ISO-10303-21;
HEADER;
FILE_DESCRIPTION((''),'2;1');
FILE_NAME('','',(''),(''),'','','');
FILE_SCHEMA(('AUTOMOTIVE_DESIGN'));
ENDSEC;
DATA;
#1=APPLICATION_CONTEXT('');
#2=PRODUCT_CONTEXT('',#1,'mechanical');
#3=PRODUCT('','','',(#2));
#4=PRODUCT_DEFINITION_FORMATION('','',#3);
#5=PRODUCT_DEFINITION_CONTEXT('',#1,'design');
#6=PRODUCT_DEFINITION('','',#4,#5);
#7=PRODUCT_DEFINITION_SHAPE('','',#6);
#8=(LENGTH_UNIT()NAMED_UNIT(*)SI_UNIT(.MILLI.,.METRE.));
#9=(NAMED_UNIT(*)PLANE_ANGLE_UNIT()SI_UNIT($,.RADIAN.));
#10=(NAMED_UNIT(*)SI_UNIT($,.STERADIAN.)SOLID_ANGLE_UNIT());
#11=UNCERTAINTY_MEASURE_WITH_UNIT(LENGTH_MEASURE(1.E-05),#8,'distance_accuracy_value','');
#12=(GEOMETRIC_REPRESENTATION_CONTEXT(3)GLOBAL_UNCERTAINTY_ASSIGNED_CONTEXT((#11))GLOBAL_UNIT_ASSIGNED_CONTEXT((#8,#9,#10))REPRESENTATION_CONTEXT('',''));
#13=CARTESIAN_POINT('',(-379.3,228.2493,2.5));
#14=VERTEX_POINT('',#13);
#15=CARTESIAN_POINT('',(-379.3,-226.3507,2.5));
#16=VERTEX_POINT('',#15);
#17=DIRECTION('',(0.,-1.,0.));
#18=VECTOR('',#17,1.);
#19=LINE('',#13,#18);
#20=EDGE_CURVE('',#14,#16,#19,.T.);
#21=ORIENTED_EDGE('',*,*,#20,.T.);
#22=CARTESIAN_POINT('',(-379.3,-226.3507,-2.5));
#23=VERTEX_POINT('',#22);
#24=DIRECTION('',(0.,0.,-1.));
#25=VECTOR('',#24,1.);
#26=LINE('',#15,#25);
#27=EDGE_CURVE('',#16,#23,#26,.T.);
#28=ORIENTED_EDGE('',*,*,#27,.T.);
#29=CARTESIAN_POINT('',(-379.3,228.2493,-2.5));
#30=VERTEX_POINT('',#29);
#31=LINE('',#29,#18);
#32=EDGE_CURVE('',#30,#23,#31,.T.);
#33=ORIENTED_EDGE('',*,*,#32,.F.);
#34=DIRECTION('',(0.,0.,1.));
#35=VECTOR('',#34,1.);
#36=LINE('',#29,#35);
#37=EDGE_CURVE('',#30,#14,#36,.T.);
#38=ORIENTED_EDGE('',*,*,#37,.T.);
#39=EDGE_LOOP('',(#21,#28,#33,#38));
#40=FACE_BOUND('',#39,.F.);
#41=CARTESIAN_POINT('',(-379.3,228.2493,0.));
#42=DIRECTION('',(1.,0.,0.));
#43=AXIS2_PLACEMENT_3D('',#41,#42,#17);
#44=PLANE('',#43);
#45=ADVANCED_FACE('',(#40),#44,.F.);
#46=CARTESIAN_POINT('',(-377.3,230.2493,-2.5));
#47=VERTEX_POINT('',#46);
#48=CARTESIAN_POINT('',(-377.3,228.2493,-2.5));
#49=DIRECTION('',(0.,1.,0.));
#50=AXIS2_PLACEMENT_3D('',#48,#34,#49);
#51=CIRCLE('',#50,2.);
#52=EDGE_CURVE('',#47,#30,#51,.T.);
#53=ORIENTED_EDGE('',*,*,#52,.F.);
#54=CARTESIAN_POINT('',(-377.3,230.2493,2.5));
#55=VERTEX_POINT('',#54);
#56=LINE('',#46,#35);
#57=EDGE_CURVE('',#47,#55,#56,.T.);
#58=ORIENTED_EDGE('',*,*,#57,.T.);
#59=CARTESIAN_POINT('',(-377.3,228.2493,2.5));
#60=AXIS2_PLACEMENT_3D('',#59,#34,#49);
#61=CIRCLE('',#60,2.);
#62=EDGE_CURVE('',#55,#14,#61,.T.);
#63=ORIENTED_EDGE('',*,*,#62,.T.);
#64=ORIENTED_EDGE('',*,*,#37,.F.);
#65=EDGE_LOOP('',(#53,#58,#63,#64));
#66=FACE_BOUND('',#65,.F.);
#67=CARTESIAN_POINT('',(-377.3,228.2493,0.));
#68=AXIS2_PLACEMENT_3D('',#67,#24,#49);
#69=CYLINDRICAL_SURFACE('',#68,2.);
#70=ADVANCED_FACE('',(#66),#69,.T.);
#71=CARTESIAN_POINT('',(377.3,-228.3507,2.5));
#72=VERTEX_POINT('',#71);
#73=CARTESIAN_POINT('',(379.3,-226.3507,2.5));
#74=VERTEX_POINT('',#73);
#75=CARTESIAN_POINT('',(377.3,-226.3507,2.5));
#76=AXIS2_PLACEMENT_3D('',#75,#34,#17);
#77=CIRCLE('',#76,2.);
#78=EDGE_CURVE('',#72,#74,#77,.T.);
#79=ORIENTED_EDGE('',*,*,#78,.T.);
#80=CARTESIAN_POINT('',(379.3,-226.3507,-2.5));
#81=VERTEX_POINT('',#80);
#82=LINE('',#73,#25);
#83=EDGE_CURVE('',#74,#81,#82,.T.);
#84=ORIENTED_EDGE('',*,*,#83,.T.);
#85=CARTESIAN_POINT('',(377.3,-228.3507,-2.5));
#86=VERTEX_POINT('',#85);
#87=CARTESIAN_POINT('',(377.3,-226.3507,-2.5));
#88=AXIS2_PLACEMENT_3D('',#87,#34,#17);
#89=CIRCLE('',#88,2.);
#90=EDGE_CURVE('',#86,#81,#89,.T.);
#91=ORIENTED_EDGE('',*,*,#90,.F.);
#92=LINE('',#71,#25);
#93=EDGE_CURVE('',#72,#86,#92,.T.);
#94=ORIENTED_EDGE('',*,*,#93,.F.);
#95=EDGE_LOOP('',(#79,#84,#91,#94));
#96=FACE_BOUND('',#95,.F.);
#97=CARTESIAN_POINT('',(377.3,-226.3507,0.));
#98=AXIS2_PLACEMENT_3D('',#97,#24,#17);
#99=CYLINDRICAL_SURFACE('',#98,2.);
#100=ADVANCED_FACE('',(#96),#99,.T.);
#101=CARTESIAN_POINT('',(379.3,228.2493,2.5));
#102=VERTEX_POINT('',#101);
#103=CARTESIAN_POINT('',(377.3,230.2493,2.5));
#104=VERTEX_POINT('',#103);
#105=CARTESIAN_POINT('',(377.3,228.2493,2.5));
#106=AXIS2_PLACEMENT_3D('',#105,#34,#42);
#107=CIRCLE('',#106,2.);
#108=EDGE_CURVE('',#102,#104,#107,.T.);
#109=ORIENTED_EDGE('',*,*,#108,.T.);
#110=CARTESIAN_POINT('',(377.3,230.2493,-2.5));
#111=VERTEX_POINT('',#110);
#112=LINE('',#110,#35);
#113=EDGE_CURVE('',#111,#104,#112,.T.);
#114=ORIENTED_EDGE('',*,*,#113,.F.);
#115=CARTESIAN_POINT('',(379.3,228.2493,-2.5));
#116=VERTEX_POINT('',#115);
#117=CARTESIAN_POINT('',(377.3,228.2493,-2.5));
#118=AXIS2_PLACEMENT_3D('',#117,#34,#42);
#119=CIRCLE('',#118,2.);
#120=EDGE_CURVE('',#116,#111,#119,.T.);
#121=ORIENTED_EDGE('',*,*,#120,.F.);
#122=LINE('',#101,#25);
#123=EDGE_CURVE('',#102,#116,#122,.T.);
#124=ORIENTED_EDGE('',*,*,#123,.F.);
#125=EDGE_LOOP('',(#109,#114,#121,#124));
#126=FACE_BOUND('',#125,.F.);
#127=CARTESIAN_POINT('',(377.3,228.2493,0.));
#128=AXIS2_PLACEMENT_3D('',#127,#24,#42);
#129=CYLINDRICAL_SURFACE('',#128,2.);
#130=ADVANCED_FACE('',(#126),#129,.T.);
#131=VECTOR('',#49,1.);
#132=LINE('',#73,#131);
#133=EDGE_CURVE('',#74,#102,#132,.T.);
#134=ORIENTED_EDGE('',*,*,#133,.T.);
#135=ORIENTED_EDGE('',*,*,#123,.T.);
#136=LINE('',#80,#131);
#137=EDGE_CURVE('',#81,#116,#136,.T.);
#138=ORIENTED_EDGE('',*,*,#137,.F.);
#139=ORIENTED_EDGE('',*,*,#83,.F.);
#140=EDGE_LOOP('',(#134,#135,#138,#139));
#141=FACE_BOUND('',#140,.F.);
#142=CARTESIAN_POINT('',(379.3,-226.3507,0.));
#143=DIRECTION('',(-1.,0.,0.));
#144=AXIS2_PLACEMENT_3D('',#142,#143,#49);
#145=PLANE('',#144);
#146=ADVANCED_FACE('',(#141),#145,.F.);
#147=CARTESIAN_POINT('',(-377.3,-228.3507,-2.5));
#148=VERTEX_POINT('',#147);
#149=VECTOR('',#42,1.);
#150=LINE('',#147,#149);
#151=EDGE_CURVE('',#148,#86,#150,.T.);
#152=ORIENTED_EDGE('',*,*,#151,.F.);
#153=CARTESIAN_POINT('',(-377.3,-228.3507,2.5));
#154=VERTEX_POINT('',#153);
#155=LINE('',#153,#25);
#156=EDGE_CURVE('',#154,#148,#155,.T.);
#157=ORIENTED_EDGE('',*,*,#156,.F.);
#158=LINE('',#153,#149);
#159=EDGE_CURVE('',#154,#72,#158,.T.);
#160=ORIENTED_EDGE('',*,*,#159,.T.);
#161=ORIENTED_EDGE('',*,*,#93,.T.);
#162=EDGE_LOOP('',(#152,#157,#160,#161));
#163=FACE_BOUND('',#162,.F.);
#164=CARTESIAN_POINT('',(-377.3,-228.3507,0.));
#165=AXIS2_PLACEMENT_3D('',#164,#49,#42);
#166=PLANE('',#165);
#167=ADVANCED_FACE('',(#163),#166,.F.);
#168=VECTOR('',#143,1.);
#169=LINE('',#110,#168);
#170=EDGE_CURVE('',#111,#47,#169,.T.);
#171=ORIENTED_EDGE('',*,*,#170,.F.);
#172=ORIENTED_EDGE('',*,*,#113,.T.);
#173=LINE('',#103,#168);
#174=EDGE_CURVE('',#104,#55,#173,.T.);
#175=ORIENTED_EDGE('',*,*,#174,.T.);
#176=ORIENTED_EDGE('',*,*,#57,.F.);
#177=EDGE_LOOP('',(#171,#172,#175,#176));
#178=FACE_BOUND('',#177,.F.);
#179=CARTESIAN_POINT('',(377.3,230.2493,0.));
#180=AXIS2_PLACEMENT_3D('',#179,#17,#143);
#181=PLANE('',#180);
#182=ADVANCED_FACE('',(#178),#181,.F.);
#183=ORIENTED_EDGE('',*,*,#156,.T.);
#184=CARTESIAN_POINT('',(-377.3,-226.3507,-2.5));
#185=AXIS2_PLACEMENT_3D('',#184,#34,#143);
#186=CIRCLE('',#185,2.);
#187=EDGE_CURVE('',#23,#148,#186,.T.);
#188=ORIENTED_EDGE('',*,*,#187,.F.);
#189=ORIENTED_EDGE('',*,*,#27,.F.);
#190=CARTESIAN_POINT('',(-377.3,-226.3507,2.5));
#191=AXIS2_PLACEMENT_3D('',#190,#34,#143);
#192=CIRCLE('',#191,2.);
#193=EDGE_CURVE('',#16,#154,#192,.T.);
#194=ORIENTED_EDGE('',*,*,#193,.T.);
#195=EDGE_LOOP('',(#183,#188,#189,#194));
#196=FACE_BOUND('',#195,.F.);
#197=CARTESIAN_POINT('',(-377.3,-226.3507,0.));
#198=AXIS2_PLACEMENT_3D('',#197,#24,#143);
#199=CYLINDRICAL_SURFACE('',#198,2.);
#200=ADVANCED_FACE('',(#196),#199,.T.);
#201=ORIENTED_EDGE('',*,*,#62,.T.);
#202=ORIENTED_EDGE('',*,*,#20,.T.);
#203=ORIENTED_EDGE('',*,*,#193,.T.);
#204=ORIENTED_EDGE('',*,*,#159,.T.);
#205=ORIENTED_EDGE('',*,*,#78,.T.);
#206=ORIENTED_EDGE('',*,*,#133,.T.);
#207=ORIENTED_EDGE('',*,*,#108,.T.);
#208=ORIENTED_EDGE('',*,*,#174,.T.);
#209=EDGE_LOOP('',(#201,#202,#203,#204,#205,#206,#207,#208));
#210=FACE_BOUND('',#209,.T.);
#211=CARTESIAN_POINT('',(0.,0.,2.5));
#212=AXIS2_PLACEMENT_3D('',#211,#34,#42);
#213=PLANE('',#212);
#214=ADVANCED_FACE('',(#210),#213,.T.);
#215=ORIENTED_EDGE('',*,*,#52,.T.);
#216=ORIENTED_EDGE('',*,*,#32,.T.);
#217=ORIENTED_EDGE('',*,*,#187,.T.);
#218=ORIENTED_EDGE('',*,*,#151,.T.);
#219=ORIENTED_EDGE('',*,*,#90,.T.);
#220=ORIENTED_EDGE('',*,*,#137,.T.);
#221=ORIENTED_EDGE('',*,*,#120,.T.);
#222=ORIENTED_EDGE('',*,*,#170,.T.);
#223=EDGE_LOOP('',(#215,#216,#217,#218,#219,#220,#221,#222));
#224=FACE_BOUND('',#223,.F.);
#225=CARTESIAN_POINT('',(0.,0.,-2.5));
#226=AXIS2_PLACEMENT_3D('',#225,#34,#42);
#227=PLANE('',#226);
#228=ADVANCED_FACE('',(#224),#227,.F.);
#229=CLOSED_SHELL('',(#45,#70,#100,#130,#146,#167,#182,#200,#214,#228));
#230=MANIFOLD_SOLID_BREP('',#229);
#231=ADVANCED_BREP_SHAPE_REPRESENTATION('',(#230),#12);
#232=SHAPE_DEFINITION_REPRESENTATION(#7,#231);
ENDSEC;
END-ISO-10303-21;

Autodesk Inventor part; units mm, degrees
ref_plane "YZ Plane" through (0, 0, 0) normal (1, 0, 0) x (0, 1, 0)
ref_plane "XZ Plane" through (0, 0, 0) normal (0, 1, 0) x (-1, 0, 0)
ref_plane "XY Plane" through (0, 0, 0) normal (0, 0, 1) x (1, 0, 0)
sketch "Sketch1" plane through (0, 0, 0) normal (0, 0, 1) x (1, 0, 0)
  line L0 (379.3, -228.3507) -> (379.3, 230.2493) construction
  line L1 (-379.3, 230.2493) -> (-379.3, -228.3507) construction
  line L2 (379.3, 230.2493) -> (-379.3, 230.2493) construction
  line L3 (379.3, -228.3507) -> (-379.3, -228.3507) construction
  line L4 (377.3, 230.2493) -> (-377.3, 230.2493)
  line L5 (-379.3, 228.2493) -> (-379.3, -226.3507)
  line L6 (-377.3, -228.3507) -> (377.3, -228.3507)
  line L7 (379.3, -226.3507) -> (379.3, 228.2493)
  arc A0 (377.3, -228.3507) -> (379.3, -226.3507) centre (377.3, -226.3507) ccw
  arc A1 (379.3, 228.2493) -> (377.3, 230.2493) centre (377.3, 228.2493) ccw
  arc A2 (-377.3, 230.2493) -> (-379.3, 228.2493) centre (-377.3, 228.2493) ccw
  arc A3 (-379.3, -226.3507) -> (-377.3, -228.3507) centre (-377.3, -226.3507) ccw
  point P0 (0, 0)
  dimension "d0" = 2
extrude "Extrusion1" add sketch "Sketch1" along normal mid plane 5
properties part number "Cover_LiftSurface" material "Steel, Galvanized"
